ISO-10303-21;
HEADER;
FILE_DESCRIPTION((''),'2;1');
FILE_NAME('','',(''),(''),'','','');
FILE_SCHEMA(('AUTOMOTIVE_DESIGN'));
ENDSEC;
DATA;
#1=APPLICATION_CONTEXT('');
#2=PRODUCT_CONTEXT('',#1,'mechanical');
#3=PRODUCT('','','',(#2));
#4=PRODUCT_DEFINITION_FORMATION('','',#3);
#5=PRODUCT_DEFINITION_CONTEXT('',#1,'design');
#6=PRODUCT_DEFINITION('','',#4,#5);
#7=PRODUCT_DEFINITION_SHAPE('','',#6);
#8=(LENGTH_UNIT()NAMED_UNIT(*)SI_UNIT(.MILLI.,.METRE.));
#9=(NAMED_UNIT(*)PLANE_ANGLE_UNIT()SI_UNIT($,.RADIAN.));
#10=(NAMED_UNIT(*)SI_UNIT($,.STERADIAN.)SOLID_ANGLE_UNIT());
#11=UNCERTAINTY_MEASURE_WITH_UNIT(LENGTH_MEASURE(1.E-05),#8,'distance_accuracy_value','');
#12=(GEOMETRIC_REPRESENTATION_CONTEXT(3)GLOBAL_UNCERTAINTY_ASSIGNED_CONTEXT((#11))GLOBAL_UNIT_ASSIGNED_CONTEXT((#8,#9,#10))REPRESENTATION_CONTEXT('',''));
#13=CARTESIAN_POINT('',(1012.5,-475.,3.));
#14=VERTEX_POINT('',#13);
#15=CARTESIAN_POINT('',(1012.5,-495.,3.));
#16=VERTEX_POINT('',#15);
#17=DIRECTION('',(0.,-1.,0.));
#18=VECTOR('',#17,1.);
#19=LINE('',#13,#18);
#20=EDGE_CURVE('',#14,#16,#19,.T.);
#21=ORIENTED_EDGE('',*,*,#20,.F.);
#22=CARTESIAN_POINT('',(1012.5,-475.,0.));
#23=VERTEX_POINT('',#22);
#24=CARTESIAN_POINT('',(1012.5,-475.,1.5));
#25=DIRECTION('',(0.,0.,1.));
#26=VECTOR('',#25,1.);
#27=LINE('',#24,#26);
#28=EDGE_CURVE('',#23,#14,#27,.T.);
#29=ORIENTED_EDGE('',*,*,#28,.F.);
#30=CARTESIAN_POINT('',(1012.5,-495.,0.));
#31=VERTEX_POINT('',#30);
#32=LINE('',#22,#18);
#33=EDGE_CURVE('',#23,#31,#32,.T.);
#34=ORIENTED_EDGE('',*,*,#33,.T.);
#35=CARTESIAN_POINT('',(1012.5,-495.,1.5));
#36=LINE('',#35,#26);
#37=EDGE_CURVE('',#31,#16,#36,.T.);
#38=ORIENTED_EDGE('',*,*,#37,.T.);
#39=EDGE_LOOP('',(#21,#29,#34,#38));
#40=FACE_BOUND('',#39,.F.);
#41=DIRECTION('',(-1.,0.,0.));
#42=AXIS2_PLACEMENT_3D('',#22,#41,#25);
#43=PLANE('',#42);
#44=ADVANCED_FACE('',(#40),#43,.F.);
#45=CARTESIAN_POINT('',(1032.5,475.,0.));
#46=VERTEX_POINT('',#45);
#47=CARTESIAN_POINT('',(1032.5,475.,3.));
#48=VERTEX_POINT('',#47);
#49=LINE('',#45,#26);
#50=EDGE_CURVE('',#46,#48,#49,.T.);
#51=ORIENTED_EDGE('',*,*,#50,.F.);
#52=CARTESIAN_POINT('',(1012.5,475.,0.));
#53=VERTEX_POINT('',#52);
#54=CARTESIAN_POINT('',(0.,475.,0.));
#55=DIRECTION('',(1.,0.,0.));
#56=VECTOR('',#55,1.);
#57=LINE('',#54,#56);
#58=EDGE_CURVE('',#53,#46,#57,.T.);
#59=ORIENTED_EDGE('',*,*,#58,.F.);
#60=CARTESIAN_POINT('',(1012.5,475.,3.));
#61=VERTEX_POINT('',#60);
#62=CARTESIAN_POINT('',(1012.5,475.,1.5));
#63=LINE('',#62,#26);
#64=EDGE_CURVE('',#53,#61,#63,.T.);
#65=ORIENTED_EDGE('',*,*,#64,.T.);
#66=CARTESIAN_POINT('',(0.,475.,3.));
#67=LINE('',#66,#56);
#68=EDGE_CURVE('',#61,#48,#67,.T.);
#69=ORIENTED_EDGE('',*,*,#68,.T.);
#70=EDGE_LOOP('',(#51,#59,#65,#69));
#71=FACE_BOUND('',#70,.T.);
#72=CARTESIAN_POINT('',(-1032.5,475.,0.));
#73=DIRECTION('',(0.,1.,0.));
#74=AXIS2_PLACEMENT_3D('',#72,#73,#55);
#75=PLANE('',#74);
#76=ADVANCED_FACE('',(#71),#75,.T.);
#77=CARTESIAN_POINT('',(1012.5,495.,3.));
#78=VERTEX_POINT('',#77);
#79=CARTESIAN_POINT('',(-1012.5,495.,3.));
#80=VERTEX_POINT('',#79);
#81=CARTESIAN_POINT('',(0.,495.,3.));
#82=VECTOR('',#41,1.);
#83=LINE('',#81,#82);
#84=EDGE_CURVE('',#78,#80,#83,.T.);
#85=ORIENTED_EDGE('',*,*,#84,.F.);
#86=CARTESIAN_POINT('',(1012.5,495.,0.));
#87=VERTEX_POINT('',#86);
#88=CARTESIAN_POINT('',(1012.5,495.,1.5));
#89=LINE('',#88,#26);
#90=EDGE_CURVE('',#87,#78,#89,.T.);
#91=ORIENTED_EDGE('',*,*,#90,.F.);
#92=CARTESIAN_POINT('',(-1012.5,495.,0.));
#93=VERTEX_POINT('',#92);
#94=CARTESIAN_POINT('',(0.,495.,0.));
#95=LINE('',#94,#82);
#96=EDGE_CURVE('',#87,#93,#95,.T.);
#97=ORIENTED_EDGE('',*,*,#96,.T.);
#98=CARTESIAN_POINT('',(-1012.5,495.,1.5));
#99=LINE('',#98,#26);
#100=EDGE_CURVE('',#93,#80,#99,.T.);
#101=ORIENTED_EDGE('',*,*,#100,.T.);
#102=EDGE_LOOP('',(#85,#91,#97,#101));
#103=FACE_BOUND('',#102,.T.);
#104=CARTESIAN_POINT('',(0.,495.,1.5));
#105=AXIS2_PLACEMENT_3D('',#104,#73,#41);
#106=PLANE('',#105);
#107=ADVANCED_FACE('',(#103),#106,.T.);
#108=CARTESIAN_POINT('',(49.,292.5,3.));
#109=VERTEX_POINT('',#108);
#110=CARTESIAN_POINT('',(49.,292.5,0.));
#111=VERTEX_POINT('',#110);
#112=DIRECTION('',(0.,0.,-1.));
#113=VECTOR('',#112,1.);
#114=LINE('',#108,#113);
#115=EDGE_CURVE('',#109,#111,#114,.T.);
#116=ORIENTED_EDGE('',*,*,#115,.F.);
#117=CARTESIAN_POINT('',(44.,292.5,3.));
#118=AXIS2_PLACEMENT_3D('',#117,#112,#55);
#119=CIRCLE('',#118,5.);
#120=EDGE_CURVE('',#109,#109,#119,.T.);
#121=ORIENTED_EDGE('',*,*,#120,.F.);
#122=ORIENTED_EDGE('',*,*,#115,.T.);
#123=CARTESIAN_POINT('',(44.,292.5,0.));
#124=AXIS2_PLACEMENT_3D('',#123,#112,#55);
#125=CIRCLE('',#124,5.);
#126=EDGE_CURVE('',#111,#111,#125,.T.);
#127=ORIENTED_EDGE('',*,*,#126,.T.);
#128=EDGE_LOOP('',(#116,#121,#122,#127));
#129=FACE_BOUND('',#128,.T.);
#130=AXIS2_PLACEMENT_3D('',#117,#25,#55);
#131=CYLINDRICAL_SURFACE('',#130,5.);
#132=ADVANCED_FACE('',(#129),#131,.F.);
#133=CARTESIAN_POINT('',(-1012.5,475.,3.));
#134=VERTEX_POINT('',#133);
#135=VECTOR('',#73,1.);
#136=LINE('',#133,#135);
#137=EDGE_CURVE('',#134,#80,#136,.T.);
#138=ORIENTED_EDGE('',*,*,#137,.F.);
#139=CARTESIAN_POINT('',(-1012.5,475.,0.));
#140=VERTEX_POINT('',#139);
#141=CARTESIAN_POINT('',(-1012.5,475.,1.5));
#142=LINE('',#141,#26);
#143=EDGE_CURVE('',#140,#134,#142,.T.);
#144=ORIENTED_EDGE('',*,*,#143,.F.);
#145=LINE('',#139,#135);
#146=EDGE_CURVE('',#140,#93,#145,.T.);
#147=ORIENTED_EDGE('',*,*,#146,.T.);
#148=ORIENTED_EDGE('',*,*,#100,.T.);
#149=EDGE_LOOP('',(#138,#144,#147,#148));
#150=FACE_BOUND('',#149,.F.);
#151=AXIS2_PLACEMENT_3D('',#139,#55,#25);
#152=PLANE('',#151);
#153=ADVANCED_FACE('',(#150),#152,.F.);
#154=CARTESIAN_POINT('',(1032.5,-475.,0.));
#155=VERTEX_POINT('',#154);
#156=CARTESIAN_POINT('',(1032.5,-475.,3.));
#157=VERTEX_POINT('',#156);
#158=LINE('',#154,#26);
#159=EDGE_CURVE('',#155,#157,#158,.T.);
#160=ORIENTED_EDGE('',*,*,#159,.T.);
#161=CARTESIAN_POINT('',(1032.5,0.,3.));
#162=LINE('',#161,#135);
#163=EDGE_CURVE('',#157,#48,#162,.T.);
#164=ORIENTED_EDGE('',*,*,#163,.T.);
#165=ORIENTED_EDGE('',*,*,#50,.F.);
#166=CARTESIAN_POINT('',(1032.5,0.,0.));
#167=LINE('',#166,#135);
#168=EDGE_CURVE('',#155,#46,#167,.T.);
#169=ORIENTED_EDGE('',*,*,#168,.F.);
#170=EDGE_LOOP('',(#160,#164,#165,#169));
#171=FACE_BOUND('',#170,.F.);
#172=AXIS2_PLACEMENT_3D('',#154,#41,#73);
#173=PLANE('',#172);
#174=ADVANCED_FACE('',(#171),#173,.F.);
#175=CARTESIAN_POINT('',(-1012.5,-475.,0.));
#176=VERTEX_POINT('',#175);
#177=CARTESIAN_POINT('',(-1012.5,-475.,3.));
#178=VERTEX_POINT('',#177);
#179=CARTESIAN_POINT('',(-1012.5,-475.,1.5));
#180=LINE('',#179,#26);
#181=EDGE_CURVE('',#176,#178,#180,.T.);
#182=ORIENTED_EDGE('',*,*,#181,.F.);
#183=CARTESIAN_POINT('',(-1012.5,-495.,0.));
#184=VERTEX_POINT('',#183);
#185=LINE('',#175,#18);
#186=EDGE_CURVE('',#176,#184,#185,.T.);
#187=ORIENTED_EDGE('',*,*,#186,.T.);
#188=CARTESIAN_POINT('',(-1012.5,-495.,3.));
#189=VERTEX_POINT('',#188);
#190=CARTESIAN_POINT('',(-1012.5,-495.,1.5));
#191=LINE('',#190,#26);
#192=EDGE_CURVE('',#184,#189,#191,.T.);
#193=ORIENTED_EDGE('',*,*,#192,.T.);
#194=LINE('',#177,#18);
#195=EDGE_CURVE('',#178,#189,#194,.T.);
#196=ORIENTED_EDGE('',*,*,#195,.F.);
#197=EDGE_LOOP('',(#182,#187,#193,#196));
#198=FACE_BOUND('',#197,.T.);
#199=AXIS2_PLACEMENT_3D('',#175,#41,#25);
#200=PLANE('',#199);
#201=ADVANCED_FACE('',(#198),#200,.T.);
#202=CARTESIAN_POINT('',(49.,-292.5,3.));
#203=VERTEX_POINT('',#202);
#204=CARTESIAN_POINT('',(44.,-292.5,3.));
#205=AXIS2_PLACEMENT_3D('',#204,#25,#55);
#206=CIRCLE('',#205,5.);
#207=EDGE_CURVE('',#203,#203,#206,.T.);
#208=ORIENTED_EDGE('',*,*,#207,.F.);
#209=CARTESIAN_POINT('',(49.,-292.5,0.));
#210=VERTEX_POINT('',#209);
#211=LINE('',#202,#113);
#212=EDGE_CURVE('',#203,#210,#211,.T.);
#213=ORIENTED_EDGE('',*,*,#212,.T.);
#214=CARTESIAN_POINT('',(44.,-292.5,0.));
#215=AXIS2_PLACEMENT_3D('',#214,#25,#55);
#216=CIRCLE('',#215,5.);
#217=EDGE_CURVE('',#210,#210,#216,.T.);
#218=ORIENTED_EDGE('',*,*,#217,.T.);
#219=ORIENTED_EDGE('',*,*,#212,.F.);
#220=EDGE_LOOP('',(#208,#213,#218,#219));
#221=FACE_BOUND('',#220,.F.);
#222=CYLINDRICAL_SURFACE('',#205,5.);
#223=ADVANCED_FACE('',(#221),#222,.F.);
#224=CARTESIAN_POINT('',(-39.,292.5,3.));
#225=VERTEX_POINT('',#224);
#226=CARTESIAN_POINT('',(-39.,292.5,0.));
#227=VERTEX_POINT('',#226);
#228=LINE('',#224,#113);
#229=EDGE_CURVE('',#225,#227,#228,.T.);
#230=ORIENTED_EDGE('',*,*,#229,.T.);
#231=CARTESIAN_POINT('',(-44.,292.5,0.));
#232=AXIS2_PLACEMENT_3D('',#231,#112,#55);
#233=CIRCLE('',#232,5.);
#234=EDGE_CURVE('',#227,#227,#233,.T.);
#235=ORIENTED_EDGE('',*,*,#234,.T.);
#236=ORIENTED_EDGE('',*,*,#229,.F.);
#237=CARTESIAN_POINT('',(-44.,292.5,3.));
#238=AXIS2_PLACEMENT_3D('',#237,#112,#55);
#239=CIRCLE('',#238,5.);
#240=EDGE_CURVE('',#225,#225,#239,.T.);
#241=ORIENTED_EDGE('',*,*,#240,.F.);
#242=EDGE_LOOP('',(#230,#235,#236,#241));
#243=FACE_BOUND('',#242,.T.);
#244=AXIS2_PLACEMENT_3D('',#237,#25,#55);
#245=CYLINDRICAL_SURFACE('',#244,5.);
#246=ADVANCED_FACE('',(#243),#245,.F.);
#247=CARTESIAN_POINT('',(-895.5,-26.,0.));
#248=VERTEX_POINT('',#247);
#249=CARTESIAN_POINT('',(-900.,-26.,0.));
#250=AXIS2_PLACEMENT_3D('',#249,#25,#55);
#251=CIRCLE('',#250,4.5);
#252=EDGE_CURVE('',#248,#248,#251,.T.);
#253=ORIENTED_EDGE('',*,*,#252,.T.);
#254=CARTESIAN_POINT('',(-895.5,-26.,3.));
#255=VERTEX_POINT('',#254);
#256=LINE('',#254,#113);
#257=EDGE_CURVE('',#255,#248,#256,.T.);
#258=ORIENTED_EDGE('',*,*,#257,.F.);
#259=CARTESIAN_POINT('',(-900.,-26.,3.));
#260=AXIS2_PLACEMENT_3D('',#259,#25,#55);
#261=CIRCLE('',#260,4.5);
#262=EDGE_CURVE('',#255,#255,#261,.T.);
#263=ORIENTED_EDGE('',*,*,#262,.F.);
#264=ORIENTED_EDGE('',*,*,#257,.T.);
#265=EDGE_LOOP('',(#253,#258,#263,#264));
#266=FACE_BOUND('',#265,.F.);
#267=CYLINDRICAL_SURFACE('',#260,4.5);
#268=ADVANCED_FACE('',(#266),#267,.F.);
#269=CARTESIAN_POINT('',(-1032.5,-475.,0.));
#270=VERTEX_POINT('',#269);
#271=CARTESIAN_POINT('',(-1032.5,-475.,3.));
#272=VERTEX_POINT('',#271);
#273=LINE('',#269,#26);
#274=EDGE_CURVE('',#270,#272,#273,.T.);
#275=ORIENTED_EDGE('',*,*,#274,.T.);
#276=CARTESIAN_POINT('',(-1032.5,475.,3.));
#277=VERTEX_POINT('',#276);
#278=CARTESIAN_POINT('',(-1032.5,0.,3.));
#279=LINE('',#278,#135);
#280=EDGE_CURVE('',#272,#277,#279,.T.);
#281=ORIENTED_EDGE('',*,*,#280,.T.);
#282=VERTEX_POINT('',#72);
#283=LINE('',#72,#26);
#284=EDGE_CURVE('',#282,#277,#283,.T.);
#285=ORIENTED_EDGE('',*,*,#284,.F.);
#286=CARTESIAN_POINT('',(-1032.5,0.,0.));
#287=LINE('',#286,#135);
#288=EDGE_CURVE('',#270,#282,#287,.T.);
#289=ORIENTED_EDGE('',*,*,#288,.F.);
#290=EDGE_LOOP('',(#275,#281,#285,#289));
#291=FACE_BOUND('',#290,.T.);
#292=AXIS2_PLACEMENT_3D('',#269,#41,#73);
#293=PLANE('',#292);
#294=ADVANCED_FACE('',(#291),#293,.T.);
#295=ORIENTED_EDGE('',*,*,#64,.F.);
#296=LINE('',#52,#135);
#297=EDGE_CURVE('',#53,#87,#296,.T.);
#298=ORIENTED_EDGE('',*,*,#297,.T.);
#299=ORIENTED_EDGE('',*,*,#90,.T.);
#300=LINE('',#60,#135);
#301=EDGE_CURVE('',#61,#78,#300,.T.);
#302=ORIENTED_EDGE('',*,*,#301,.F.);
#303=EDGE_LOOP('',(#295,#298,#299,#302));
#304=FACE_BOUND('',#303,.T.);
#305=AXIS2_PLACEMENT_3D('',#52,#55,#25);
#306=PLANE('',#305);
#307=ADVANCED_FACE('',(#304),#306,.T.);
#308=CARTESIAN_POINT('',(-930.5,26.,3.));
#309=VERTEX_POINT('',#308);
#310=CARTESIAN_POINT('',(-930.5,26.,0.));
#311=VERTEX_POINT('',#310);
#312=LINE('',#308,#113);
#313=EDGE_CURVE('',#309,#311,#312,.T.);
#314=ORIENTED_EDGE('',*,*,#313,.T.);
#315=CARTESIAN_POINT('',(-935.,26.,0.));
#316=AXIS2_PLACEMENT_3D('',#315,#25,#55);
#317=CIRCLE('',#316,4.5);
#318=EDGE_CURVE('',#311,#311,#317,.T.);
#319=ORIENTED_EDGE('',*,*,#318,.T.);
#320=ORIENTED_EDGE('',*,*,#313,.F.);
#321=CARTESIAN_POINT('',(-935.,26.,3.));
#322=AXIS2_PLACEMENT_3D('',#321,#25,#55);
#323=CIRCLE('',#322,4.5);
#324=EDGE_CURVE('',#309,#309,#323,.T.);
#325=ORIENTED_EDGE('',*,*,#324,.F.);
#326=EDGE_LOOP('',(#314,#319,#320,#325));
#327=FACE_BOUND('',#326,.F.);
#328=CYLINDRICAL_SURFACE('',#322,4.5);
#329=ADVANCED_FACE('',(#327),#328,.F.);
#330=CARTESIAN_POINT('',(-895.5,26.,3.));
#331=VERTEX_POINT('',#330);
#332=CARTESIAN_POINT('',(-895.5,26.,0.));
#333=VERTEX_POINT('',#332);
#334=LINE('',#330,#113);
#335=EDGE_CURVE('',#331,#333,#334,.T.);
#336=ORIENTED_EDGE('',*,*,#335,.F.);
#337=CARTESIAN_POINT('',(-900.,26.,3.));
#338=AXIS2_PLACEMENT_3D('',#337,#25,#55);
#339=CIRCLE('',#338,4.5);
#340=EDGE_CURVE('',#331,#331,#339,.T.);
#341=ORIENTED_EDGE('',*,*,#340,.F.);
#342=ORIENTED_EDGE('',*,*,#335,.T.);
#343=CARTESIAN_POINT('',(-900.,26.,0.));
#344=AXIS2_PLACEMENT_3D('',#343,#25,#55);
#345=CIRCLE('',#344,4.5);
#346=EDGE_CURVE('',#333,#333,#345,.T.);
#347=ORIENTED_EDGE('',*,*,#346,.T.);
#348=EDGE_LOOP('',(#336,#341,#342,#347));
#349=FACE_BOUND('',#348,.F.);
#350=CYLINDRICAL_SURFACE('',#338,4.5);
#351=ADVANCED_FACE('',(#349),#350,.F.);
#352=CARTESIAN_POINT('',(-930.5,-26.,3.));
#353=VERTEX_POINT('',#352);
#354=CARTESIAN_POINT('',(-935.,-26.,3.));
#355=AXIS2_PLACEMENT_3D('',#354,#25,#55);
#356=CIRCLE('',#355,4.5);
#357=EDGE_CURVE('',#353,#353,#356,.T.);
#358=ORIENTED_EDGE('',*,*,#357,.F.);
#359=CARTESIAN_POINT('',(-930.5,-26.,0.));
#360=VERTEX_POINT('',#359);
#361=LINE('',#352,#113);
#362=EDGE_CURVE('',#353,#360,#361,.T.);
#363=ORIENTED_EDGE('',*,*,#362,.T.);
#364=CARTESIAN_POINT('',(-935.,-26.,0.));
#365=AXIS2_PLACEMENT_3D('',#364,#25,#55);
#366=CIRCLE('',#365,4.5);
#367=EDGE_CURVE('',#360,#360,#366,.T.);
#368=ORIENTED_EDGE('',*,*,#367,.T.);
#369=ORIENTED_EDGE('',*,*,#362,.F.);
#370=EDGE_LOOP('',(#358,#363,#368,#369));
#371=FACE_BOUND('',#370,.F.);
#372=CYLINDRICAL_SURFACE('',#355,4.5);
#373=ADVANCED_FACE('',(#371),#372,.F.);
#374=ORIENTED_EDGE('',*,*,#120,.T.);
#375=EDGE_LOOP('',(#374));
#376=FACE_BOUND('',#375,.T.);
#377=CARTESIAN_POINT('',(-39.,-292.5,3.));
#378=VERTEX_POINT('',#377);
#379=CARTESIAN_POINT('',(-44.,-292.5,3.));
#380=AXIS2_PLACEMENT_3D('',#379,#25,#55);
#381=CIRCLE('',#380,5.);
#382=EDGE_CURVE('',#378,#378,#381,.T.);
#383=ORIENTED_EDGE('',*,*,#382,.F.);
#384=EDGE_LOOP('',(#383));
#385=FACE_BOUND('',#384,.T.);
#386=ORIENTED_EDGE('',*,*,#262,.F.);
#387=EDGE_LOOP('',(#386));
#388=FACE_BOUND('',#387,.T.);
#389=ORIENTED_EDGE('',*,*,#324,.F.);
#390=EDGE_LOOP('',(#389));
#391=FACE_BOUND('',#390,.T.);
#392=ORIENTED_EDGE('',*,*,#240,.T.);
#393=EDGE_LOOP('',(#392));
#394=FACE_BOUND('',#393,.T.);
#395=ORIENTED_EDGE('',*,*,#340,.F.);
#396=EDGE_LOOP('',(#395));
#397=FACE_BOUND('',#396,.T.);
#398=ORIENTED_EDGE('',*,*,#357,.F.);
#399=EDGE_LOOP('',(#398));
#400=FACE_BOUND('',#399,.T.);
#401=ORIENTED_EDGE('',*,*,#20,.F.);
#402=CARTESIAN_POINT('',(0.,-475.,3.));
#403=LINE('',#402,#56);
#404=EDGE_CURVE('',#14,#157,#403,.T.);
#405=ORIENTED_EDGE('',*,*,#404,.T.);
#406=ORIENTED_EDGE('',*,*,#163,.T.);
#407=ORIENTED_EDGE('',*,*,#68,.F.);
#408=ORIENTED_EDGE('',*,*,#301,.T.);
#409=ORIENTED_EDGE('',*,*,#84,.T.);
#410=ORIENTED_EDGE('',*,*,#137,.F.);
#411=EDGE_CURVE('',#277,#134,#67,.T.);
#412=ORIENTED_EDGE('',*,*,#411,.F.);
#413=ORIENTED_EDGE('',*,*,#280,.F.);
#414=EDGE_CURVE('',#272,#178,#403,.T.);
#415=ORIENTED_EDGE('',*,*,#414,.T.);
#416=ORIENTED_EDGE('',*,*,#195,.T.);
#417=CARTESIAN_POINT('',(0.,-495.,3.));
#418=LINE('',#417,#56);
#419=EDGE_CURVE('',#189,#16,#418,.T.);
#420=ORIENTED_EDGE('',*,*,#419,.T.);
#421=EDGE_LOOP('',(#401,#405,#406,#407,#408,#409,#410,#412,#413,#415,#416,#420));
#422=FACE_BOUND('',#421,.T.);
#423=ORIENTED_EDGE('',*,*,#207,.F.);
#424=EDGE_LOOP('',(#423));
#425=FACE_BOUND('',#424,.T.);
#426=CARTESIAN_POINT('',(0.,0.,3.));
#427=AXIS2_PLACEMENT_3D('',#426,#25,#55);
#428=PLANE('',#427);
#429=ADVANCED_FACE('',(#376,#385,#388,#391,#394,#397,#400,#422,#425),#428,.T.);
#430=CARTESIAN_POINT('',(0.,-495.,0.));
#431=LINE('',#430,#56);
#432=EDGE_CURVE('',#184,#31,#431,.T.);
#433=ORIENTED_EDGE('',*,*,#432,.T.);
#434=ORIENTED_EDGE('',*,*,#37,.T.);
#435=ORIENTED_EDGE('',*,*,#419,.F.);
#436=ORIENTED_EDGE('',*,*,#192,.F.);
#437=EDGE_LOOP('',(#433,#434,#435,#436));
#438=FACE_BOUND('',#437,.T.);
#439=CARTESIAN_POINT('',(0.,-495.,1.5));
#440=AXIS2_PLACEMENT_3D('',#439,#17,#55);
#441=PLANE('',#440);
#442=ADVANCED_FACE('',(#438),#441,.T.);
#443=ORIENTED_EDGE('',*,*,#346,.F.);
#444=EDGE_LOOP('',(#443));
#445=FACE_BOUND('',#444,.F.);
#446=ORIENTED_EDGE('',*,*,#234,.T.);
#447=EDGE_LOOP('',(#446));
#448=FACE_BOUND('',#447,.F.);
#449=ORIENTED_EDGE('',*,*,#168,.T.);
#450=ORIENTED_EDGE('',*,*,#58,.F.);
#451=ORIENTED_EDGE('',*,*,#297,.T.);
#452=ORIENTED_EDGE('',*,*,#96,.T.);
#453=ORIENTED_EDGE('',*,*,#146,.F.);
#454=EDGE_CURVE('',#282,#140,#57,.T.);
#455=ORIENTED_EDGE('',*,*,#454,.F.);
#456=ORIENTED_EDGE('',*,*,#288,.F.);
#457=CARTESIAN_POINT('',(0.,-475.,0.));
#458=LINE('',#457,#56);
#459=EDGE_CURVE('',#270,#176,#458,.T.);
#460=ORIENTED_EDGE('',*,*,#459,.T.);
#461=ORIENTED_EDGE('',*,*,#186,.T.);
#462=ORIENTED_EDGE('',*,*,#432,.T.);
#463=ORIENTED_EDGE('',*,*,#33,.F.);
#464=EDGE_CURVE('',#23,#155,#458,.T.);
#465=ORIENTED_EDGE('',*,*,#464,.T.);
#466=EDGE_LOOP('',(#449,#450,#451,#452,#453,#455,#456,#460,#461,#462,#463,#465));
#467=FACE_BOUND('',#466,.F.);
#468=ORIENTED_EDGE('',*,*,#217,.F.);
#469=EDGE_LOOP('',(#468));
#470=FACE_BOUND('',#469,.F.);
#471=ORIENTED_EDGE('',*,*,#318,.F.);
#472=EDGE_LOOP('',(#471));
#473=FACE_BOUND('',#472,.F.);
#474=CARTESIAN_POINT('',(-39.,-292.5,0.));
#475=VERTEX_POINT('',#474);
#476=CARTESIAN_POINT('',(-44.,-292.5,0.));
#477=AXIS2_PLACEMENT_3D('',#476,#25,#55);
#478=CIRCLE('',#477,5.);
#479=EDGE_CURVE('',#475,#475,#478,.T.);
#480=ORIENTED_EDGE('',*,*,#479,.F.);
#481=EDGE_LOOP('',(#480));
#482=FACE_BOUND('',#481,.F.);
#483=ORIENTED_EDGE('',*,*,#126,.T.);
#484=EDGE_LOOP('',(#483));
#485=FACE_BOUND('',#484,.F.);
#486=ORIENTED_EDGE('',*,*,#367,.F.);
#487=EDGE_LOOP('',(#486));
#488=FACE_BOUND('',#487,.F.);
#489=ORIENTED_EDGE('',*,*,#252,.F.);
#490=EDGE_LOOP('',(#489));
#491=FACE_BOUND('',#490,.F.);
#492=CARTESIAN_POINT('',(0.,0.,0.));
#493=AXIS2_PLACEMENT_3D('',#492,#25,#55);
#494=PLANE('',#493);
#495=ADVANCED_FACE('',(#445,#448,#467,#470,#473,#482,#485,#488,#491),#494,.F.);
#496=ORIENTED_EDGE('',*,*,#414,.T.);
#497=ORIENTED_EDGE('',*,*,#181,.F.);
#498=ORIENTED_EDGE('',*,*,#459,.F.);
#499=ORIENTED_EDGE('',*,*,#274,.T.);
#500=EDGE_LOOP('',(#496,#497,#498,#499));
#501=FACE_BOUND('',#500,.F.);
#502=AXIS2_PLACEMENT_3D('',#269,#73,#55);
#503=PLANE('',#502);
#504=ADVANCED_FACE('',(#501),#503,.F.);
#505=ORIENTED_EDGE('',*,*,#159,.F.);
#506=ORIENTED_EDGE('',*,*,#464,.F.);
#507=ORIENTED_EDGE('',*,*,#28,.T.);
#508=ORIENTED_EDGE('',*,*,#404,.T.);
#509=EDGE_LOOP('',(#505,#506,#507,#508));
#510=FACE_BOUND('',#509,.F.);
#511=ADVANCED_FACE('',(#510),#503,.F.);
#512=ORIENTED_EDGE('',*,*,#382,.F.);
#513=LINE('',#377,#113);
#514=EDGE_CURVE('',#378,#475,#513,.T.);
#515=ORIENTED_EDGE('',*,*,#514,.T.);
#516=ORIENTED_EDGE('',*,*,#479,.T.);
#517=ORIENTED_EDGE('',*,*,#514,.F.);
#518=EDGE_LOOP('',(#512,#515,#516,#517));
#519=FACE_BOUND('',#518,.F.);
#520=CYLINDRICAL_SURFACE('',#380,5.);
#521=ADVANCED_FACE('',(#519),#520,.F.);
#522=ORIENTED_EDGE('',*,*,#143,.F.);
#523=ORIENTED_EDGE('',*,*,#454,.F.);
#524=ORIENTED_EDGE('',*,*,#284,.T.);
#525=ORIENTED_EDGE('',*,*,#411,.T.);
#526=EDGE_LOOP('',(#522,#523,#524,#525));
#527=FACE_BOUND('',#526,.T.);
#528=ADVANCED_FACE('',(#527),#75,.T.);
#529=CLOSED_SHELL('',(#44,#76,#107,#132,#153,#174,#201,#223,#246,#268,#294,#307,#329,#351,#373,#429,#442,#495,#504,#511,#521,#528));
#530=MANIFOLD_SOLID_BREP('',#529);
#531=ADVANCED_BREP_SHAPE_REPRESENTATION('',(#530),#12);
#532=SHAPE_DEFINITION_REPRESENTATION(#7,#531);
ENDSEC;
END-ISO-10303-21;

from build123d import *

# Parameters (mm, degrees)
F0_W      = 2065
F0_H      = 950
F1_DEPTH  = 3
F2_R      = 5
F3_DEPTH  = 3
F5_R      = 4.5
F6_DEPTH  = 3
F7_W      = 2025
F7_H      = 3
F8_DEPTH  = 20
F9_W      = 2025
F9_H      = 3
F10_DEPTH = 20


with BuildPart() as f1:
    # F0 (on Top) → F1 (new body)
    with BuildSketch(Plane.XY):
        Rectangle(F0_W, F0_H)
    extrude(amount=F1_DEPTH)

    # F2 (on face) → F3 (cut, through all)
    with BuildSketch(Plane.XY.offset(3)):
        with Locations((-44, -292.5)):
            Circle(F2_R)
        with Locations((44, -292.5)):
            Circle(F2_R)
    f3 = extrude(amount=-F3_DEPTH, mode=Mode.SUBTRACT)

    # F4: F3 across plane
    add(f3.mirror(Plane.XZ), mode=Mode.SUBTRACT)

    # F5 (on face) → F6 (cut, through all)
    with BuildSketch(Plane.XY.offset(3)):
        with Locations((-935, -26)):
            Circle(F5_R)
        with Locations((-935, 26)):
            Circle(F5_R)
        with Locations((-900, -26)):
            Circle(F5_R)
        with Locations((-900, 26)):
            Circle(F5_R)
    extrude(amount=-F6_DEPTH, mode=Mode.SUBTRACT)

    # F7 (on face) → F8 (join)
    with BuildSketch(Plane.XZ.offset(475)):
        with Locations((0, 1.5)):
            Rectangle(F7_W, F7_H)
    extrude(amount=F8_DEPTH)

    # F9 (on face) → F10 (join)
    with BuildSketch(Plane(origin=(0, 475, 0), x_dir=(-1, 0, 0), z_dir=(0, 1, 0))):
        with Locations((0, 1.5)):
            Rectangle(F9_W, F9_H)
    extrude(amount=F10_DEPTH)


solid = f1.part
